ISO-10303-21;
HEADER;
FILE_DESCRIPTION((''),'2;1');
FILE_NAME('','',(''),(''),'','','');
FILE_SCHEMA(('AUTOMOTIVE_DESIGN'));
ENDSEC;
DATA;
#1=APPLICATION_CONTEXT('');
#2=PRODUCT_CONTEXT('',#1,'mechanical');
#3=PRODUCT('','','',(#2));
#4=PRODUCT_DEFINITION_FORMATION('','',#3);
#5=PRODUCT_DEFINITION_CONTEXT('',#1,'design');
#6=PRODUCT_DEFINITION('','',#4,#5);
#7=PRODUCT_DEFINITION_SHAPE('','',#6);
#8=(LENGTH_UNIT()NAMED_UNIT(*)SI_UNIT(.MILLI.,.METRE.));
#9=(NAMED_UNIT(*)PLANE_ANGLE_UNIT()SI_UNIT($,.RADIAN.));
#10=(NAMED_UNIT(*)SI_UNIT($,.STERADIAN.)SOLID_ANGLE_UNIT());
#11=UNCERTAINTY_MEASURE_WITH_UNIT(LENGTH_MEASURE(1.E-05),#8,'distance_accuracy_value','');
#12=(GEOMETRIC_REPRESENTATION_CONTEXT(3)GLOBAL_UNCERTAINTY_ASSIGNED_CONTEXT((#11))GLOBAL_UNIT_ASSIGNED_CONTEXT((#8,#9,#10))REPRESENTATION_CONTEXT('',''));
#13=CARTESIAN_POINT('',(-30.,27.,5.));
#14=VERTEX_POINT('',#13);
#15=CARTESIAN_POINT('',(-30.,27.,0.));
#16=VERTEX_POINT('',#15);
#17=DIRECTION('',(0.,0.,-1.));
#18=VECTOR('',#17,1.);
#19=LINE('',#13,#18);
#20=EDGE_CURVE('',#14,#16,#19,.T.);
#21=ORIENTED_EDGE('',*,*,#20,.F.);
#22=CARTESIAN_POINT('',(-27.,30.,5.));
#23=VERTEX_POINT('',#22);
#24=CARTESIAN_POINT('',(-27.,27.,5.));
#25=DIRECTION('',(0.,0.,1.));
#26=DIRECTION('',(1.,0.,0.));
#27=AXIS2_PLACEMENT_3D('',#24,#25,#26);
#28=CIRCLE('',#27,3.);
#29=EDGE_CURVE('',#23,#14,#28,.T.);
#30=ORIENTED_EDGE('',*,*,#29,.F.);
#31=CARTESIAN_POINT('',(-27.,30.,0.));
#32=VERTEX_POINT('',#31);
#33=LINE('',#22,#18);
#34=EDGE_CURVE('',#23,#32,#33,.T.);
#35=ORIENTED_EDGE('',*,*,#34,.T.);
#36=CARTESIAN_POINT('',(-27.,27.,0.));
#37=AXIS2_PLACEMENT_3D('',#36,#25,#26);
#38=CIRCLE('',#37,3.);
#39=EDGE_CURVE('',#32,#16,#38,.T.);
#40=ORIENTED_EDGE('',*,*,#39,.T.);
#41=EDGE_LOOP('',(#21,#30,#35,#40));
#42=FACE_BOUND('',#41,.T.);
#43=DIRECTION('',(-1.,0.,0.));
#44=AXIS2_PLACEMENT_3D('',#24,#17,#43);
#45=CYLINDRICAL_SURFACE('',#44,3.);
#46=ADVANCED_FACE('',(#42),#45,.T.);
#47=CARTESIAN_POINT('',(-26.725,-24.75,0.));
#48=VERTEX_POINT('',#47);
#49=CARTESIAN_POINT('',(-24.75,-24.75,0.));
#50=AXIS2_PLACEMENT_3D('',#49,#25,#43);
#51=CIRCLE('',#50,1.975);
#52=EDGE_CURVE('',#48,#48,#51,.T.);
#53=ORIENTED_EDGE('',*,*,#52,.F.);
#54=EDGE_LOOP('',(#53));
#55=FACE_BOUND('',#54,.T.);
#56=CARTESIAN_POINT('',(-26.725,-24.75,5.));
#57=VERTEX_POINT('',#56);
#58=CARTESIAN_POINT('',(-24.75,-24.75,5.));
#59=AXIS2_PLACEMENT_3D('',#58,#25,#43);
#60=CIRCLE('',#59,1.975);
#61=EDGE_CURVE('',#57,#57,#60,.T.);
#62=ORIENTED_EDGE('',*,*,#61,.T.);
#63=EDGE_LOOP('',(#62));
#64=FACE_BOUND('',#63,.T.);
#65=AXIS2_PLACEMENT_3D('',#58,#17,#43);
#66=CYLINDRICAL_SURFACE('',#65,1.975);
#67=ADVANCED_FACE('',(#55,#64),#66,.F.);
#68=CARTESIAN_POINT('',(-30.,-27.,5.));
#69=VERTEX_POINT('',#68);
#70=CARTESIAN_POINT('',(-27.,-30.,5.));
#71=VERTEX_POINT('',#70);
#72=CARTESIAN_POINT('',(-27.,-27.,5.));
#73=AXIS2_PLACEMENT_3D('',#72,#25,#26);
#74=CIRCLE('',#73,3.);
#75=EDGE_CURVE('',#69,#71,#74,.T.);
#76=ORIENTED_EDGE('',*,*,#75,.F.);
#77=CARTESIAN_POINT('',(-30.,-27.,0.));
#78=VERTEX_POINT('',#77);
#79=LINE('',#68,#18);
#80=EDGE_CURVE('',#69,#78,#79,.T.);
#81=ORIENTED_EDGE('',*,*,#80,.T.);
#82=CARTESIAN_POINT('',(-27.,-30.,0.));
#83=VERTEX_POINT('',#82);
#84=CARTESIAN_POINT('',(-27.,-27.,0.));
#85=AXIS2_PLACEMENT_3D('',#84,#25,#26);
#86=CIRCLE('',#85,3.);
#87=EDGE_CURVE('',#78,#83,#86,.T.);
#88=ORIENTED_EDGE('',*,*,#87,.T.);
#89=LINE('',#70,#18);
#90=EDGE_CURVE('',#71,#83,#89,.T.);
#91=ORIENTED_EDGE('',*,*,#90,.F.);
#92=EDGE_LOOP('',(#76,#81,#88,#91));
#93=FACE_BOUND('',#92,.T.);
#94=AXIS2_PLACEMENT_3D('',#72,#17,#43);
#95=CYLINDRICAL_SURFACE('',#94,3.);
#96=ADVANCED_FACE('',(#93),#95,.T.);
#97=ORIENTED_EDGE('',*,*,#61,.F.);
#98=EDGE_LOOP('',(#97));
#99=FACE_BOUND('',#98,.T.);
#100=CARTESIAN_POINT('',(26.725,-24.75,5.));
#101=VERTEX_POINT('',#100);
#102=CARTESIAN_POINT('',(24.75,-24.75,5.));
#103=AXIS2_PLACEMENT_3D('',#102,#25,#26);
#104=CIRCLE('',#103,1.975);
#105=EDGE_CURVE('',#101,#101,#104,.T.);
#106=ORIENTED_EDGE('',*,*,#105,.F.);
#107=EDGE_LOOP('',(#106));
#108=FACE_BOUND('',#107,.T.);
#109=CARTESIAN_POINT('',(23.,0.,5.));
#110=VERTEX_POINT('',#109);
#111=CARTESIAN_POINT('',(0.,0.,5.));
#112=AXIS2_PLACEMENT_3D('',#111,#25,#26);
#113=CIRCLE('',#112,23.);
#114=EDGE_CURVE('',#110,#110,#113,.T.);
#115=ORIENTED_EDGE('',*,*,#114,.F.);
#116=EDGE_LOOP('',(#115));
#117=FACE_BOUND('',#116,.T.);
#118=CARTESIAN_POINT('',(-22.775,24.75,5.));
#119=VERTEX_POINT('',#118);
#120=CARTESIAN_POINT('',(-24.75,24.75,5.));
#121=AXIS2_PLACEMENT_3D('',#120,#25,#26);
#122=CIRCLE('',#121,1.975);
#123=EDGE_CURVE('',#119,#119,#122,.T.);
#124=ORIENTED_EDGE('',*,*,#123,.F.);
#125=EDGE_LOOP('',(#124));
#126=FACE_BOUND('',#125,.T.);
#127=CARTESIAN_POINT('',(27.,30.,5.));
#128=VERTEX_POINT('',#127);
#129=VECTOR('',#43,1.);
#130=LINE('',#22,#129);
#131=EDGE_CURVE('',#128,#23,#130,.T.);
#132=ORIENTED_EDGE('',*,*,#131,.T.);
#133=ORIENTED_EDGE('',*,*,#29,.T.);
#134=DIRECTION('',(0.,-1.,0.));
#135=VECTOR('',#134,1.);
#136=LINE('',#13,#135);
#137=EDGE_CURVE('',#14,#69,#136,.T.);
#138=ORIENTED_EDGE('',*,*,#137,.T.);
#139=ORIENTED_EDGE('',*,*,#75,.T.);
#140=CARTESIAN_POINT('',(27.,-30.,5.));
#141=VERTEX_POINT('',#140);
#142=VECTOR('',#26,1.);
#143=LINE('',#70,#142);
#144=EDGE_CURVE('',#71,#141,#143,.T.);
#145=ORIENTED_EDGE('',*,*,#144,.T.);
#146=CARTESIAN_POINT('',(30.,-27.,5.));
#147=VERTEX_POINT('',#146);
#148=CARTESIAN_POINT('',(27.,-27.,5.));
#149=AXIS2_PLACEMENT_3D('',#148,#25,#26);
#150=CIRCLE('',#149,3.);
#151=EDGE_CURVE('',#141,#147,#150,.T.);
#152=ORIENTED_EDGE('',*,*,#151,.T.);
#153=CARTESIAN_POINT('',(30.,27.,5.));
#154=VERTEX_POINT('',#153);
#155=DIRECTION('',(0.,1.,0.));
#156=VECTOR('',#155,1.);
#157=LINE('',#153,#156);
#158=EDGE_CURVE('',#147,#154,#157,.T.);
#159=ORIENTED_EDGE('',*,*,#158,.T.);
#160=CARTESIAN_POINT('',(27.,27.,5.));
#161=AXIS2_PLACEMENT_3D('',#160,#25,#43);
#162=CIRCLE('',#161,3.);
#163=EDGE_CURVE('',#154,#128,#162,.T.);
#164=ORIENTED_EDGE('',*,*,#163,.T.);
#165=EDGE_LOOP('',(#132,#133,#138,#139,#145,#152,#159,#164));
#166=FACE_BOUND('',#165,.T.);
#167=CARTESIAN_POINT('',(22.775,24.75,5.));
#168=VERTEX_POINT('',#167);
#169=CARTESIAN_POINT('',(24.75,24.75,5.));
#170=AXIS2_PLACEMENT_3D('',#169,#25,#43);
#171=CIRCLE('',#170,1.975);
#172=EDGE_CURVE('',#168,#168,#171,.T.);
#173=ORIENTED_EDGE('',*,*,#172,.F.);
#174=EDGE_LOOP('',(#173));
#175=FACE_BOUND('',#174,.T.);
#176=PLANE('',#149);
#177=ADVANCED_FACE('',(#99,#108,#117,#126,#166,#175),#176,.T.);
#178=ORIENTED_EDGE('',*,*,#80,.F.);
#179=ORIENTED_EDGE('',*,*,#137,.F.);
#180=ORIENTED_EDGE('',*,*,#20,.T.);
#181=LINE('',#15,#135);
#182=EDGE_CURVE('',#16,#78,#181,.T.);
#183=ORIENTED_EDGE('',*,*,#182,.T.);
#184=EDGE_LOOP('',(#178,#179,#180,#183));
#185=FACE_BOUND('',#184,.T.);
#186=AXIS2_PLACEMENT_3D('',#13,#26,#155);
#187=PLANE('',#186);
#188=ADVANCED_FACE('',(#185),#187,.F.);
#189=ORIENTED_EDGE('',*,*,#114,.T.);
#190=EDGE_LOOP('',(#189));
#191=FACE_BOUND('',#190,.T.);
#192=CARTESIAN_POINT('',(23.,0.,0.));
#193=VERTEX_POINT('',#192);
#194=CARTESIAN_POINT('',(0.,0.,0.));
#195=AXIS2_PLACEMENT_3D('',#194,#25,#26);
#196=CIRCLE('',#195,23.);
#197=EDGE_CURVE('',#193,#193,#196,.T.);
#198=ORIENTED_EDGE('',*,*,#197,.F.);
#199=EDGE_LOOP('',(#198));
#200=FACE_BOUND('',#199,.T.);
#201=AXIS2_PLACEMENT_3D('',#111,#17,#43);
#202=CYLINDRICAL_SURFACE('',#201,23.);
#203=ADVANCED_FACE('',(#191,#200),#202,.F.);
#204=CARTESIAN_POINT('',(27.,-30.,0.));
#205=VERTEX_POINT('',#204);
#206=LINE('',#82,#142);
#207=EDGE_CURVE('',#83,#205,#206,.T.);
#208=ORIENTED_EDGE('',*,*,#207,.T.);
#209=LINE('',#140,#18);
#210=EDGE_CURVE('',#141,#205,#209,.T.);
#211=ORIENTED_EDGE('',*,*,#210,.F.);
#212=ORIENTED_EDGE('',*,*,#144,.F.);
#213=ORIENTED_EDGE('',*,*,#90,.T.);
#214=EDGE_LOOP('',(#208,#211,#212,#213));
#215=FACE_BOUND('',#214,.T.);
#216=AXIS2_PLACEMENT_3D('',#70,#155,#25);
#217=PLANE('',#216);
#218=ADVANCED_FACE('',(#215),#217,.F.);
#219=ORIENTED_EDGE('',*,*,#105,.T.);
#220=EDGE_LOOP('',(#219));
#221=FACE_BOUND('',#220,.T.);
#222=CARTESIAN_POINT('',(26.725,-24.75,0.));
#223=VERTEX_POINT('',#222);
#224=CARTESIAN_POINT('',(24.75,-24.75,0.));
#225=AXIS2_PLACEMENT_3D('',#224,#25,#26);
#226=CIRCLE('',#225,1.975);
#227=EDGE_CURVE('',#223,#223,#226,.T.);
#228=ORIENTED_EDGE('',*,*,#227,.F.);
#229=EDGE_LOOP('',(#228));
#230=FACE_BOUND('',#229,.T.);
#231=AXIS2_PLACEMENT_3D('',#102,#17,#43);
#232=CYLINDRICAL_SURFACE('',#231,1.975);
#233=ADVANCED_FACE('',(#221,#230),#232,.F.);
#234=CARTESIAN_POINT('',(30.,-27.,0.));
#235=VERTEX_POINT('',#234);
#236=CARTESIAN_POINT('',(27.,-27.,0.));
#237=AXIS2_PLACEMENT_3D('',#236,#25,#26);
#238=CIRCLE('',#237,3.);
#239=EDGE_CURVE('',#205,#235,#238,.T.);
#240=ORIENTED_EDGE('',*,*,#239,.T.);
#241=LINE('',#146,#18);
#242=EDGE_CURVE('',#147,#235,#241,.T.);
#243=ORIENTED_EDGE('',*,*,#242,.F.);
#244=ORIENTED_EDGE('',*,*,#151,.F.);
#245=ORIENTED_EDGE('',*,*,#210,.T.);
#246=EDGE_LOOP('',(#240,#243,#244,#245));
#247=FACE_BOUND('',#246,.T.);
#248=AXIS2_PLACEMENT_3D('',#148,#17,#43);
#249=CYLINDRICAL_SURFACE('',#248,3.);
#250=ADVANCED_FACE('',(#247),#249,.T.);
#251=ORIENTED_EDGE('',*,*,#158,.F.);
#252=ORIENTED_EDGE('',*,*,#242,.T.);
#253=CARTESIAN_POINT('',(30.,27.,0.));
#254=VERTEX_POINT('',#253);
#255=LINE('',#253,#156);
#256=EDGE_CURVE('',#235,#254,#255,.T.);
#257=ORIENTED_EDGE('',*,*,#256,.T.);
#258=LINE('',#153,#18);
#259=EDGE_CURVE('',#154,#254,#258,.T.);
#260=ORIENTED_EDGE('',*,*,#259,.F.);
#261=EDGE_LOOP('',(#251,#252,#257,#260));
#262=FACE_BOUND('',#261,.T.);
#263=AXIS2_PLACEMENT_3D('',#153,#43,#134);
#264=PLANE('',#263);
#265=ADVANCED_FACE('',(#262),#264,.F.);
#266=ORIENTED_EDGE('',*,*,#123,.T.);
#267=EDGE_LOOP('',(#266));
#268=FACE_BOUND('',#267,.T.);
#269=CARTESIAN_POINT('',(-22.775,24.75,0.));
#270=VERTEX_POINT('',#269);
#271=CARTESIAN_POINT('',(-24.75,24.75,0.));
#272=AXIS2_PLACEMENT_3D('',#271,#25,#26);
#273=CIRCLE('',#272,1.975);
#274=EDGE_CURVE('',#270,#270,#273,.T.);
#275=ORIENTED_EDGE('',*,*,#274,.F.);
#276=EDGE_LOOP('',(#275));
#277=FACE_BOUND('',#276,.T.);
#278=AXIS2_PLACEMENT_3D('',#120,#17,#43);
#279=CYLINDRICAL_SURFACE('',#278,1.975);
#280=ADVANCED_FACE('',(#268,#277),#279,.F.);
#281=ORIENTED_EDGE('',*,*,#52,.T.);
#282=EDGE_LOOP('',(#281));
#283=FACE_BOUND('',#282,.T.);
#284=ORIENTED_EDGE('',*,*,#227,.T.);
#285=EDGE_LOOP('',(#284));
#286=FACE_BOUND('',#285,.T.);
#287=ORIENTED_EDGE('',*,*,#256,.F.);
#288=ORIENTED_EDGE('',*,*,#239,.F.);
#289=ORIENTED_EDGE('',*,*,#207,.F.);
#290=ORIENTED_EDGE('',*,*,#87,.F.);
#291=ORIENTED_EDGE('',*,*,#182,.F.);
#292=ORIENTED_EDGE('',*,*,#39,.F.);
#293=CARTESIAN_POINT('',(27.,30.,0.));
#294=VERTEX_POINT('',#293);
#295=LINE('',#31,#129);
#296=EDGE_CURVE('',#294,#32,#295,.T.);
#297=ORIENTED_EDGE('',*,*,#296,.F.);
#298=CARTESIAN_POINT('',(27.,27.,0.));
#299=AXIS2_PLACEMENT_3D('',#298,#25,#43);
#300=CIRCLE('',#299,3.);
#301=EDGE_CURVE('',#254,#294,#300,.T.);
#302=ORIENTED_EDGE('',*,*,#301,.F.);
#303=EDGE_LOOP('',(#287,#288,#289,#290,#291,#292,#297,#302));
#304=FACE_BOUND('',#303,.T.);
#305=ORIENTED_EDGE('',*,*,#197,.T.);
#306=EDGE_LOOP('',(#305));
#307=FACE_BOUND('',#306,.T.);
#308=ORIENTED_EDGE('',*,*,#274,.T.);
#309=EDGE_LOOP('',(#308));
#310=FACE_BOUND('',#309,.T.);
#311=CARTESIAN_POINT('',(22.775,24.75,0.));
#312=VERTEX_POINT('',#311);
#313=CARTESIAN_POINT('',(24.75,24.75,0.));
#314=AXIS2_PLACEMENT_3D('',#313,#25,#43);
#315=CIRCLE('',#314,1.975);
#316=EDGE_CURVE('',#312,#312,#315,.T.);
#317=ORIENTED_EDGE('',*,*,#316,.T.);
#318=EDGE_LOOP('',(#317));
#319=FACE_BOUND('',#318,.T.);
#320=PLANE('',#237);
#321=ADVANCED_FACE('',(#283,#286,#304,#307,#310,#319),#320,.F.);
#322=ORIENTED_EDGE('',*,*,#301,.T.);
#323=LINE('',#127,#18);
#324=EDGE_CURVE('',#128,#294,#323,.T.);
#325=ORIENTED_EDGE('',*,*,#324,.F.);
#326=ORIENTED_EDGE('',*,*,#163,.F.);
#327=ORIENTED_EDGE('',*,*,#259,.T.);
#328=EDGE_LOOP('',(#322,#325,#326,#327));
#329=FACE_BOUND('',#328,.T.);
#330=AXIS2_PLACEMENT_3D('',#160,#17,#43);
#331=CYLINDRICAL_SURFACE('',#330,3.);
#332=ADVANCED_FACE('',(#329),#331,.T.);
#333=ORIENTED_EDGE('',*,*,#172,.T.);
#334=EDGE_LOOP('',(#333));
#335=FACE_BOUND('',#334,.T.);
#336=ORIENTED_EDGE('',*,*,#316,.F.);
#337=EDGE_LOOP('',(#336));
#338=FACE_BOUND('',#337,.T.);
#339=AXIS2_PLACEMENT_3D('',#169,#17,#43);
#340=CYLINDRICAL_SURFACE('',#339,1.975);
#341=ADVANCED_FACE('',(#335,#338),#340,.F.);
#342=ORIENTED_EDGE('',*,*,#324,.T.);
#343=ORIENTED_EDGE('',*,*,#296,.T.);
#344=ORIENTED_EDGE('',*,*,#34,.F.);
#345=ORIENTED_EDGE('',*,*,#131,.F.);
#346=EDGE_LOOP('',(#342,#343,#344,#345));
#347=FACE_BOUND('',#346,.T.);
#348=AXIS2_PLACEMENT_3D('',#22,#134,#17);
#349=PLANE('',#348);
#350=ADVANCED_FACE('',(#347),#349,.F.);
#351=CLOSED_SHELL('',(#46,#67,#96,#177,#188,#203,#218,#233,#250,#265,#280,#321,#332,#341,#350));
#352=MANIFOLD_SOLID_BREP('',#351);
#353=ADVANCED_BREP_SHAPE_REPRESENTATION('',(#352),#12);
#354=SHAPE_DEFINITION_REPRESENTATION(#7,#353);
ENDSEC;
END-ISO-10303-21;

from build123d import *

# Parameters (mm, degrees)
SKETCH1_R           = 23
SKETCH1_R_2         = 1.975
BOSS_EXTRUDE1_DEPTH = 5


with BuildPart() as part:
    # Sketch1 → Boss-Extrude1 (new body)
    with BuildSketch(Plane.XY):
        with BuildLine():
            Line((-27, 30), (27, 30))
            ThreePointArc((27, 30), (29.121320344, 29.121320344), (30, 27))
            Line((30, 27), (30, -27))
            ThreePointArc((30, -27), (29.121320344, -29.121320344), (27, -30))
            Line((27, -30), (-27, -30))
            ThreePointArc((-27, -30), (-29.121320344, -29.121320344), (-30, -27))
            Line((-30, -27), (-30, 27))
            ThreePointArc((-30, 27), (-29.121320344, 29.121320344), (-27, 30))
        make_face()
        Circle(SKETCH1_R, mode=Mode.SUBTRACT)
        with Locations((-24.75, 24.75)):
            Circle(SKETCH1_R_2, mode=Mode.SUBTRACT)
        with Locations((24.75, 24.75)):
            Circle(SKETCH1_R_2, mode=Mode.SUBTRACT)
        with Locations((24.75, -24.75)):
            Circle(SKETCH1_R_2, mode=Mode.SUBTRACT)
        with Locations((-24.75, -24.75)):
            Circle(SKETCH1_R_2, mode=Mode.SUBTRACT)
    extrude(amount=BOSS_EXTRUDE1_DEPTH)


solid = part.part
